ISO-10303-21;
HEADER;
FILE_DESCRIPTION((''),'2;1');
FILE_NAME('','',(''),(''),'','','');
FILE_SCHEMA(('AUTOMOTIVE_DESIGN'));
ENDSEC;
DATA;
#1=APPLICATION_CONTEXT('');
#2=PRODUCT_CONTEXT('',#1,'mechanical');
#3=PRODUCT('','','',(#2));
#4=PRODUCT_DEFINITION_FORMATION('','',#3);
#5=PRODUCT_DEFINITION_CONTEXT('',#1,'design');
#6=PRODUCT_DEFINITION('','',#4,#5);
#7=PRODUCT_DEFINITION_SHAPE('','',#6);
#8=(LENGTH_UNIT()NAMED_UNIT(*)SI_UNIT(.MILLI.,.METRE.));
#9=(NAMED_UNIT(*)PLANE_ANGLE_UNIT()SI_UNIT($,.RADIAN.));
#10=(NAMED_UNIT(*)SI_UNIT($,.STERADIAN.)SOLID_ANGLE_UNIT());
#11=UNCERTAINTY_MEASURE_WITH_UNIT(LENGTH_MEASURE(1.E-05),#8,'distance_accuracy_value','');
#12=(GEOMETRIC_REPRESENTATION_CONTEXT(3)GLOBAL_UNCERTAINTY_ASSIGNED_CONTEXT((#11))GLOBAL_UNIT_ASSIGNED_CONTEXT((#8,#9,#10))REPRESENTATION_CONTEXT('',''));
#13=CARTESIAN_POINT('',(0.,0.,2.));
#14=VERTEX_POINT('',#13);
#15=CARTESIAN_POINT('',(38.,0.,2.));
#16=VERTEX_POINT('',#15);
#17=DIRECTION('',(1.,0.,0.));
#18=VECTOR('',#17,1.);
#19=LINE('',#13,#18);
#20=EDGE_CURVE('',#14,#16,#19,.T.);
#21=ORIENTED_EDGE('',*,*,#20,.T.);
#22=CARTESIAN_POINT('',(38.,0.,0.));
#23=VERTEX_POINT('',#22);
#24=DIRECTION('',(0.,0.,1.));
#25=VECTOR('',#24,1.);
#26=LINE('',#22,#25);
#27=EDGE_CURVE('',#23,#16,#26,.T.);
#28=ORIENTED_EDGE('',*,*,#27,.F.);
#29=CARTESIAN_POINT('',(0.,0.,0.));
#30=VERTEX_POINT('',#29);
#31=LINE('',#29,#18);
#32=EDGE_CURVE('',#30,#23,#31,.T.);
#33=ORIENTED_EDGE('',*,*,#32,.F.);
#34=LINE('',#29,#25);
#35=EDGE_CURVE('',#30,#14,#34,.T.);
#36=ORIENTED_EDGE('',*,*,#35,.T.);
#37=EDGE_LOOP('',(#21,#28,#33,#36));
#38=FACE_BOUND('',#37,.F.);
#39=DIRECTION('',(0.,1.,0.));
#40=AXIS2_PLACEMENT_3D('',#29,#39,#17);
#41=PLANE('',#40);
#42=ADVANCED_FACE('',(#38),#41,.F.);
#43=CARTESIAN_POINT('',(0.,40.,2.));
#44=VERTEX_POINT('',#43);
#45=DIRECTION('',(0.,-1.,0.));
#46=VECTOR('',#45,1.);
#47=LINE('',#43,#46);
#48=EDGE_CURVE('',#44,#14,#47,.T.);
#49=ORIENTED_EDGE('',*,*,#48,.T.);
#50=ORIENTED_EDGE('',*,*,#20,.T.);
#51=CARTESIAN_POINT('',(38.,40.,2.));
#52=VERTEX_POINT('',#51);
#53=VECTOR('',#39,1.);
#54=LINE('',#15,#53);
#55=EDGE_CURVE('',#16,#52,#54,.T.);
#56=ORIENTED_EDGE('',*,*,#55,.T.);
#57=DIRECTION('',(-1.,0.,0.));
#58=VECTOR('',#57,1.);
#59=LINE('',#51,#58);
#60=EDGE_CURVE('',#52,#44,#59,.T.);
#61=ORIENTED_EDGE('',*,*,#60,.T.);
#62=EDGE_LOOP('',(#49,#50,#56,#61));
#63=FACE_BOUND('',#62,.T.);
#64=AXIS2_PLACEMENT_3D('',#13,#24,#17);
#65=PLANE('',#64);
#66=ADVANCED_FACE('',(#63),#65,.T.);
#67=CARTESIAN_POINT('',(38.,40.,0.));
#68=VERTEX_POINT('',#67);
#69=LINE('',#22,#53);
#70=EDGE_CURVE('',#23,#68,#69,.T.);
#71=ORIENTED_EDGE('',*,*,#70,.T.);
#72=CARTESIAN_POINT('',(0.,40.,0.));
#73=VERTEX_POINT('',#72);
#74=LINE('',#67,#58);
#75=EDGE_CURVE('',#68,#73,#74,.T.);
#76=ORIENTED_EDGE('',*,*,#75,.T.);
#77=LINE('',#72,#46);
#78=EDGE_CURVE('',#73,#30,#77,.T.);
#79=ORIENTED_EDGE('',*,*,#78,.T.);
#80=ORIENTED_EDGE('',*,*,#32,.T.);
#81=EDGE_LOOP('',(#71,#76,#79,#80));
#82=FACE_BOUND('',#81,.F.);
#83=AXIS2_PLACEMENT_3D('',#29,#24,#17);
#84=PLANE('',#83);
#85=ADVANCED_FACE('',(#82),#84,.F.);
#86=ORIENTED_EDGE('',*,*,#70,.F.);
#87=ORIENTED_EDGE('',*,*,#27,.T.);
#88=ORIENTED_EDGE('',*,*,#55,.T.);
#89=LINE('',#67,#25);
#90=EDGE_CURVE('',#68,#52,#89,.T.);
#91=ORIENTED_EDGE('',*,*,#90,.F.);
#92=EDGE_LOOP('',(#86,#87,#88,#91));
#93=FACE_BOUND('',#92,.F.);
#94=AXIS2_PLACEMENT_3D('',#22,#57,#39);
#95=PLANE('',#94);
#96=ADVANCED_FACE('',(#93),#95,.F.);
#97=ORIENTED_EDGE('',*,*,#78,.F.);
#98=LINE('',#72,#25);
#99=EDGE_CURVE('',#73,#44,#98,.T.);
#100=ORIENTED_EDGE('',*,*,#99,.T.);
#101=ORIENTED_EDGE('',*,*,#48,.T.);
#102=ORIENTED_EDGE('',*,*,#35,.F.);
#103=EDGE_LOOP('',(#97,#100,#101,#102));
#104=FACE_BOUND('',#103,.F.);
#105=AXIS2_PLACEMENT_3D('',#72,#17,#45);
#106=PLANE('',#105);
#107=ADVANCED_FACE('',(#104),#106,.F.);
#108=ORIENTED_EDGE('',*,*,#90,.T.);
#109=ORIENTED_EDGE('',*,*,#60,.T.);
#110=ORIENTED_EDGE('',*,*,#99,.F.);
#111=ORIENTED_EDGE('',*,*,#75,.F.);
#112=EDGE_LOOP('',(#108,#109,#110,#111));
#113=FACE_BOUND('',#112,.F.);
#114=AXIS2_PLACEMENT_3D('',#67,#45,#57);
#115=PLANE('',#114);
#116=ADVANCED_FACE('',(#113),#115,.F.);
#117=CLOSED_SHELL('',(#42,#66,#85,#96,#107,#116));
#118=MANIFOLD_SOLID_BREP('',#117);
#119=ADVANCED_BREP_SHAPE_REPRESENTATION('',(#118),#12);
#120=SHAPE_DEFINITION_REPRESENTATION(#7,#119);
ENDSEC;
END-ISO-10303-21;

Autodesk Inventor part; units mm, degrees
ref_plane "YZ Plane" through (0, 0, 0) normal (1, 0, 0) x (0, 1, 0)
ref_plane "XZ Plane" through (0, 0, 0) normal (0, 1, 0) x (-1, 0, 0)
ref_plane "XY Plane" through (0, 0, 0) normal (0, 0, 1) x (1, 0, 0)
sketch "Sketch1" plane through (0, 0, 0) normal (0, 0, 1) x (1, 0, 0)
  line L0 (0, 0) -> (38, 0)
  line L1 (38, 0) -> (38, 40)
  line L2 (38, 40) -> (0, 40)
  line L3 (0, 40) -> (0, 0)
  dimension "d0" = 38
  dimension "d1" = 40
extrude "Extrusion1" add sketch "Sketch1" along normal blind 2
properties part number "Zijplaat 3"
